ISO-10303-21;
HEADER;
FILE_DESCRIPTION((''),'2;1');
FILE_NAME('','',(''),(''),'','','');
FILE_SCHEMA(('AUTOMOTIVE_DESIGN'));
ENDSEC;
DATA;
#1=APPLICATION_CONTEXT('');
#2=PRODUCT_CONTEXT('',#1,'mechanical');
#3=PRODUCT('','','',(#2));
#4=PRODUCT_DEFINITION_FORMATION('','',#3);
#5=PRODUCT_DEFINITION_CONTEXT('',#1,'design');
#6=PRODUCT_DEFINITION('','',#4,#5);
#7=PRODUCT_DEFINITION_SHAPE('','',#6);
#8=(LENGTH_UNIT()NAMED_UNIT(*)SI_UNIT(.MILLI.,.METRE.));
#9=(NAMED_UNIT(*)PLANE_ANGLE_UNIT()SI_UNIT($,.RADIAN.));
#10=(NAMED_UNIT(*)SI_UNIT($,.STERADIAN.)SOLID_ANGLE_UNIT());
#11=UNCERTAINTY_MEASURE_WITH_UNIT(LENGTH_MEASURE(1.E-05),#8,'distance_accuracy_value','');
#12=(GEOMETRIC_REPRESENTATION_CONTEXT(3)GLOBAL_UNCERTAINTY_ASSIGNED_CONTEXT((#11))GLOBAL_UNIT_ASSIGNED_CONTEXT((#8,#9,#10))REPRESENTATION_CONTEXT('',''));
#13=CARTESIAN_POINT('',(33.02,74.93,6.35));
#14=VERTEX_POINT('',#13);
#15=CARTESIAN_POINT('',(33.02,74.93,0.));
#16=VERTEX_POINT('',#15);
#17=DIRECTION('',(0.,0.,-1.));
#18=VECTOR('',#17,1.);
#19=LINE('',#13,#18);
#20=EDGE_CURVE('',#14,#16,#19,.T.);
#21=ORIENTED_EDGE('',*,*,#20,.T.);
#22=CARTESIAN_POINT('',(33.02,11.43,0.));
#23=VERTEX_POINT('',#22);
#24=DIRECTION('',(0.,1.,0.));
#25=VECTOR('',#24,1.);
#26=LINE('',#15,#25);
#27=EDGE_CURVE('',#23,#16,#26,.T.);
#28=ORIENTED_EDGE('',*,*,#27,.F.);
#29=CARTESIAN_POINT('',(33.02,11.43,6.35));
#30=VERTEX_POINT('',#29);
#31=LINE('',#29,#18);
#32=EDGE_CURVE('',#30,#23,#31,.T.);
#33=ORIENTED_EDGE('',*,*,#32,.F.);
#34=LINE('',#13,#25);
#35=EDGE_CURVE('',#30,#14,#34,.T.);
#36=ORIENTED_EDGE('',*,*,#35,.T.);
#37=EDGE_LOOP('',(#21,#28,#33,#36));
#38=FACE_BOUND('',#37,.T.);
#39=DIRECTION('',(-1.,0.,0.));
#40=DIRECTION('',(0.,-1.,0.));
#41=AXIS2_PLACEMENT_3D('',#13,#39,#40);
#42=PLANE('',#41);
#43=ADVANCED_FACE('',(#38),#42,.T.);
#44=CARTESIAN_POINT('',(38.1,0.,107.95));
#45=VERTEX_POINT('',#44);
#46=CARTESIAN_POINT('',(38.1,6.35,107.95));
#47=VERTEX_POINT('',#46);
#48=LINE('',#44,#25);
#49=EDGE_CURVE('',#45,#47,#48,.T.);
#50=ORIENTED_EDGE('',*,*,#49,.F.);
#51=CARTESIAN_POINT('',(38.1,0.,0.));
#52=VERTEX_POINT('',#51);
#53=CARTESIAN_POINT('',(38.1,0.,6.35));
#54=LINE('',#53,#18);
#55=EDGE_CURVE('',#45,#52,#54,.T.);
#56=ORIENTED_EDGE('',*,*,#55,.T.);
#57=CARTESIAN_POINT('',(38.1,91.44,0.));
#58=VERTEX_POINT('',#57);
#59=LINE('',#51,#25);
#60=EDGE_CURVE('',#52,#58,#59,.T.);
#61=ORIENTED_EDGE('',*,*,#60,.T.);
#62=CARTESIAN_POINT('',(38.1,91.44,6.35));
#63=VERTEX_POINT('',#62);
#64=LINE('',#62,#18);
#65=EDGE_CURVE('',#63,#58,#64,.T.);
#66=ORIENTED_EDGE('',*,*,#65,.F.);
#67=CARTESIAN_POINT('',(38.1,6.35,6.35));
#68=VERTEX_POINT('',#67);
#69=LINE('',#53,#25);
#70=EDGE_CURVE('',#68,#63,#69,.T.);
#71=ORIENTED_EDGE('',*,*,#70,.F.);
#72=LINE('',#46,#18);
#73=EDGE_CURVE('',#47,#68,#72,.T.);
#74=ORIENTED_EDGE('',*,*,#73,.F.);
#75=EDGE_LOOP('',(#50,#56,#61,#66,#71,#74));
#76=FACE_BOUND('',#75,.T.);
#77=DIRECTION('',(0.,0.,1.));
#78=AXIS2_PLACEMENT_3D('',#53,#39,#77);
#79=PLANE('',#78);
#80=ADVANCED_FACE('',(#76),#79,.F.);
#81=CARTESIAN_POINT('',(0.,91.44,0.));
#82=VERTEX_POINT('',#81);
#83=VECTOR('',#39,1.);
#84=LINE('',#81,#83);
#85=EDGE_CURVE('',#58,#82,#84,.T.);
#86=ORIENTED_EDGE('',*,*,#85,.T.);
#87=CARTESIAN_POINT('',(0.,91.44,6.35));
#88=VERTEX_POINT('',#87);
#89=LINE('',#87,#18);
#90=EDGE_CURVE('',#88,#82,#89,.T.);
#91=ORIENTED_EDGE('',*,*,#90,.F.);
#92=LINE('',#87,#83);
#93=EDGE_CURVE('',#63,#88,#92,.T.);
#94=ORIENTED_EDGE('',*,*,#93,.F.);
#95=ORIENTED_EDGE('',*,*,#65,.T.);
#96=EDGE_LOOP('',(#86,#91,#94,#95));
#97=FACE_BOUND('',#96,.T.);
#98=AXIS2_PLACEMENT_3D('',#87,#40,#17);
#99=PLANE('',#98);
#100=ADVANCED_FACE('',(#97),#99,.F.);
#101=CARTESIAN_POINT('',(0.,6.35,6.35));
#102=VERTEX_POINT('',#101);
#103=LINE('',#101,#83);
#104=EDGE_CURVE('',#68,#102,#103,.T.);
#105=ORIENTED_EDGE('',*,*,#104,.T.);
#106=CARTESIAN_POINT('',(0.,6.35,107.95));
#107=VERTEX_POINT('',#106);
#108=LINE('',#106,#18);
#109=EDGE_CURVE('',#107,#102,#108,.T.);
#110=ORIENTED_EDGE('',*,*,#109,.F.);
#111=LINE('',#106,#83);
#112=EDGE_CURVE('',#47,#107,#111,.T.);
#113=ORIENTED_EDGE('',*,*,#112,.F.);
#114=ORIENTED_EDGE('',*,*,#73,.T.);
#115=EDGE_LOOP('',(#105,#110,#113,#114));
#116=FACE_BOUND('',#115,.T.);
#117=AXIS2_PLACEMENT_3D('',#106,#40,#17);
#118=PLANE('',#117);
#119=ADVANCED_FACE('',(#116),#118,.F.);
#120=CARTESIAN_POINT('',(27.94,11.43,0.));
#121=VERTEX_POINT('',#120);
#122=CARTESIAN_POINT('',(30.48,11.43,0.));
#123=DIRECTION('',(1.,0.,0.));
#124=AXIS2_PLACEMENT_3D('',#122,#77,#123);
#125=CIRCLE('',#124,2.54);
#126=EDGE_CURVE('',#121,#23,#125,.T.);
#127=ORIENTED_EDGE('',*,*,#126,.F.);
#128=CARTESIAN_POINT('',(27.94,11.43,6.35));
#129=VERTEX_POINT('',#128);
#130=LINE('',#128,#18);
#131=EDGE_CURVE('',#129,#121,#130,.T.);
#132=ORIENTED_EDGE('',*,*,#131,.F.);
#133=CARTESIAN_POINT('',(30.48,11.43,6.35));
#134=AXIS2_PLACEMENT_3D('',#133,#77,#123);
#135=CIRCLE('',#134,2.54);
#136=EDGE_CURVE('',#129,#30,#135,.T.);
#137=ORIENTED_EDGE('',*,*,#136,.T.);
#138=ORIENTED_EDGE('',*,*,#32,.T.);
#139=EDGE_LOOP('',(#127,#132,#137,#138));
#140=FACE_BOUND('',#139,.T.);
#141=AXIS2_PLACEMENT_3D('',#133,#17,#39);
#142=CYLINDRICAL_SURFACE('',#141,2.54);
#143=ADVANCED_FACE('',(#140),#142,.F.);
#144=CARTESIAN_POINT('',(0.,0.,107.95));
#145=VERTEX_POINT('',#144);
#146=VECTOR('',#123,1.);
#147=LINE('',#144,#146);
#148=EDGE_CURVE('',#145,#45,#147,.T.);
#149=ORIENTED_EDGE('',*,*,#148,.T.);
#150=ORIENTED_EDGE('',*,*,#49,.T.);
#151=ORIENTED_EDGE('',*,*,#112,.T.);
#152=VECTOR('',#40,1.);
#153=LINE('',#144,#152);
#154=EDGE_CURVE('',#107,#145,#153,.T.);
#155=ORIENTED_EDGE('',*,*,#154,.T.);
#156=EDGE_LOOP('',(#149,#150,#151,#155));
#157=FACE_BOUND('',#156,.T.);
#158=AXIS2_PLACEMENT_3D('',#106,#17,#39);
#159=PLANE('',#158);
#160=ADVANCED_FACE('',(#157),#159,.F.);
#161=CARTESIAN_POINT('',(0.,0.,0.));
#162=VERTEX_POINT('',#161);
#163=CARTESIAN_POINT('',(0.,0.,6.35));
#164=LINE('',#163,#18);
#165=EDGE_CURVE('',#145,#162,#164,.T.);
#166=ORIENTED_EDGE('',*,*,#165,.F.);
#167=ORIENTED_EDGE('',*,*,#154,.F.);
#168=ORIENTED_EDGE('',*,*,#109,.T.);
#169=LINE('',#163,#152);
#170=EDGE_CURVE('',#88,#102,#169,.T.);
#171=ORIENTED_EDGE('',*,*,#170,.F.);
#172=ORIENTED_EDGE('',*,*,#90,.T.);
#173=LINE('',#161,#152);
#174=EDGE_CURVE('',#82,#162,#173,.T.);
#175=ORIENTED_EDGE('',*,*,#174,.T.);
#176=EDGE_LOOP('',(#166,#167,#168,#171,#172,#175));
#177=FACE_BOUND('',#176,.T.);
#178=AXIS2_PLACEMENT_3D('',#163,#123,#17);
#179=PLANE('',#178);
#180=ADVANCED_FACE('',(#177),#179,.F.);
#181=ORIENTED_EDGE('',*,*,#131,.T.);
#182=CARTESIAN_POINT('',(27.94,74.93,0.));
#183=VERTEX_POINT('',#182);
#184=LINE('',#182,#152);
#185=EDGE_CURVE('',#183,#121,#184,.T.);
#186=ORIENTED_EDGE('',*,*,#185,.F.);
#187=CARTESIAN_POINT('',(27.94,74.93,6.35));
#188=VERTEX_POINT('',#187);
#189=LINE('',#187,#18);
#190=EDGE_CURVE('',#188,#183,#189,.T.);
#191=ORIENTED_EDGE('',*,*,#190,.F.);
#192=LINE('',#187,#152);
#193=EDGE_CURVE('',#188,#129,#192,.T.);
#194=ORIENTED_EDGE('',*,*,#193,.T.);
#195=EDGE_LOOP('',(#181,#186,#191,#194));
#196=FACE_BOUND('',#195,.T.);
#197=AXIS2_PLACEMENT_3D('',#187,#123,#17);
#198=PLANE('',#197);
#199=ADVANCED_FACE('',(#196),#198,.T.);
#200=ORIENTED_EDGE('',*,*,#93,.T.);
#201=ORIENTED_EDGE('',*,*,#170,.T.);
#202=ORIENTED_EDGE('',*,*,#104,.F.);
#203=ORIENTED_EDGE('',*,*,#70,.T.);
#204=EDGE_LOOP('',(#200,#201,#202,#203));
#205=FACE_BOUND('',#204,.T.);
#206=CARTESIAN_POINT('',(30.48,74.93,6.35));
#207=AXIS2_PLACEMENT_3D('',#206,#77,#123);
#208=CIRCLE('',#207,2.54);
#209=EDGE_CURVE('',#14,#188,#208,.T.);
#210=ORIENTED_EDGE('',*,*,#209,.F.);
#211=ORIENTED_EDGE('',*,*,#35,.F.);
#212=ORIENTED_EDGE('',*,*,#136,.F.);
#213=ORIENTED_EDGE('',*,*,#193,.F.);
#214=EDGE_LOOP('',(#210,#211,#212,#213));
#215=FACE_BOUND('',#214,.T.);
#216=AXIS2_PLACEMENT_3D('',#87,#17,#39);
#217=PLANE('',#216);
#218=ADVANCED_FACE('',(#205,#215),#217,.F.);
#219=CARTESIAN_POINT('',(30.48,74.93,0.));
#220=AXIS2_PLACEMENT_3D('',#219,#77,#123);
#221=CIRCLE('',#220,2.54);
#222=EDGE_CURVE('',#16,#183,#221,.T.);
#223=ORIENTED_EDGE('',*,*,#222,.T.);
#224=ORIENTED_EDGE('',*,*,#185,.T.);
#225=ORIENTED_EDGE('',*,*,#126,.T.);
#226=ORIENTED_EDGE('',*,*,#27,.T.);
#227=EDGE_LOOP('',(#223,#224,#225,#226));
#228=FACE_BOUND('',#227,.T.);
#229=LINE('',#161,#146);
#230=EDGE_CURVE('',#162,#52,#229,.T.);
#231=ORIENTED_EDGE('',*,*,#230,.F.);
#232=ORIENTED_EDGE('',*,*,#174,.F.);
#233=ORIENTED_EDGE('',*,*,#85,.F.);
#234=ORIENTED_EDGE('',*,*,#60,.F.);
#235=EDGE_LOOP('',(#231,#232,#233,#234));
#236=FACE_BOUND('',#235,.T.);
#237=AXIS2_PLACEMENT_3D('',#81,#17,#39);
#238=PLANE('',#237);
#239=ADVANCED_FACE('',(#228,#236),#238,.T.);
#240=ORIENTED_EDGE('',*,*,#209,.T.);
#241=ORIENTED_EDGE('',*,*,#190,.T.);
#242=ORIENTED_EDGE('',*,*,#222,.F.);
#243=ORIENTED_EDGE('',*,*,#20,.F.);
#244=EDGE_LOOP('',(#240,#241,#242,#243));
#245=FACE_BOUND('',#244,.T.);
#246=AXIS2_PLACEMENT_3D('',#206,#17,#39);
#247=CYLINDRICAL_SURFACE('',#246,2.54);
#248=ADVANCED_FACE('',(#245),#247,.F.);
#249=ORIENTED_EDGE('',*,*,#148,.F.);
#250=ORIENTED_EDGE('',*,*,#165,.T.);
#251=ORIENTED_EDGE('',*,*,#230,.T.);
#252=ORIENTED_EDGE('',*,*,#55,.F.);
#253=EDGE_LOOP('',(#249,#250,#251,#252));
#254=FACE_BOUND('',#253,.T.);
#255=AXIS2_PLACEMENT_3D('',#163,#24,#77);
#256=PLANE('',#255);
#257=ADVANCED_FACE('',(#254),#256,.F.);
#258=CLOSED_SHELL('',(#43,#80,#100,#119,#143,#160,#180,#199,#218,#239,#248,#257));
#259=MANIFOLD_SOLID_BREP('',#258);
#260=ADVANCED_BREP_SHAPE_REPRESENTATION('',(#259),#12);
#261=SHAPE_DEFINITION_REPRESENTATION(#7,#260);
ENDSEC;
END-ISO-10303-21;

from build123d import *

# Parameters (mm, degrees)
SKETCH1_W           = 38.1
SKETCH1_H           = 91.44
BOSS_EXTRUDE1_DEPTH = 6.35
SKETCH2_W           = 38.1
SKETCH2_H           = 6.35
BOSS_EXTRUDE2_DEPTH = 101.6


with BuildPart() as part:
    # Sketch1 → Boss-Extrude1 (new body)
    with BuildSketch(Plane.XY):
        with Locations((19.05, 45.72)):
            Rectangle(SKETCH1_W, SKETCH1_H)
        with BuildLine():
            Line((33.02, 74.93), (33.02, 11.43))
            ThreePointArc((33.02, 11.43), (30.48, 8.89), (27.94, 11.43))
            Line((27.94, 11.43), (27.94, 74.93))
            ThreePointArc((27.94, 74.93), (30.48, 77.47), (33.02, 74.93))
        make_face(mode=Mode.SUBTRACT)
    extrude(amount=BOSS_EXTRUDE1_DEPTH)

    # Sketch2 → Boss-Extrude2 (add)
    with BuildSketch(Plane.XY.offset(6.35)):
        with Locations((19.05, 3.175)):
            Rectangle(SKETCH2_W, SKETCH2_H)
    extrude(amount=BOSS_EXTRUDE2_DEPTH)


solid = part.part
